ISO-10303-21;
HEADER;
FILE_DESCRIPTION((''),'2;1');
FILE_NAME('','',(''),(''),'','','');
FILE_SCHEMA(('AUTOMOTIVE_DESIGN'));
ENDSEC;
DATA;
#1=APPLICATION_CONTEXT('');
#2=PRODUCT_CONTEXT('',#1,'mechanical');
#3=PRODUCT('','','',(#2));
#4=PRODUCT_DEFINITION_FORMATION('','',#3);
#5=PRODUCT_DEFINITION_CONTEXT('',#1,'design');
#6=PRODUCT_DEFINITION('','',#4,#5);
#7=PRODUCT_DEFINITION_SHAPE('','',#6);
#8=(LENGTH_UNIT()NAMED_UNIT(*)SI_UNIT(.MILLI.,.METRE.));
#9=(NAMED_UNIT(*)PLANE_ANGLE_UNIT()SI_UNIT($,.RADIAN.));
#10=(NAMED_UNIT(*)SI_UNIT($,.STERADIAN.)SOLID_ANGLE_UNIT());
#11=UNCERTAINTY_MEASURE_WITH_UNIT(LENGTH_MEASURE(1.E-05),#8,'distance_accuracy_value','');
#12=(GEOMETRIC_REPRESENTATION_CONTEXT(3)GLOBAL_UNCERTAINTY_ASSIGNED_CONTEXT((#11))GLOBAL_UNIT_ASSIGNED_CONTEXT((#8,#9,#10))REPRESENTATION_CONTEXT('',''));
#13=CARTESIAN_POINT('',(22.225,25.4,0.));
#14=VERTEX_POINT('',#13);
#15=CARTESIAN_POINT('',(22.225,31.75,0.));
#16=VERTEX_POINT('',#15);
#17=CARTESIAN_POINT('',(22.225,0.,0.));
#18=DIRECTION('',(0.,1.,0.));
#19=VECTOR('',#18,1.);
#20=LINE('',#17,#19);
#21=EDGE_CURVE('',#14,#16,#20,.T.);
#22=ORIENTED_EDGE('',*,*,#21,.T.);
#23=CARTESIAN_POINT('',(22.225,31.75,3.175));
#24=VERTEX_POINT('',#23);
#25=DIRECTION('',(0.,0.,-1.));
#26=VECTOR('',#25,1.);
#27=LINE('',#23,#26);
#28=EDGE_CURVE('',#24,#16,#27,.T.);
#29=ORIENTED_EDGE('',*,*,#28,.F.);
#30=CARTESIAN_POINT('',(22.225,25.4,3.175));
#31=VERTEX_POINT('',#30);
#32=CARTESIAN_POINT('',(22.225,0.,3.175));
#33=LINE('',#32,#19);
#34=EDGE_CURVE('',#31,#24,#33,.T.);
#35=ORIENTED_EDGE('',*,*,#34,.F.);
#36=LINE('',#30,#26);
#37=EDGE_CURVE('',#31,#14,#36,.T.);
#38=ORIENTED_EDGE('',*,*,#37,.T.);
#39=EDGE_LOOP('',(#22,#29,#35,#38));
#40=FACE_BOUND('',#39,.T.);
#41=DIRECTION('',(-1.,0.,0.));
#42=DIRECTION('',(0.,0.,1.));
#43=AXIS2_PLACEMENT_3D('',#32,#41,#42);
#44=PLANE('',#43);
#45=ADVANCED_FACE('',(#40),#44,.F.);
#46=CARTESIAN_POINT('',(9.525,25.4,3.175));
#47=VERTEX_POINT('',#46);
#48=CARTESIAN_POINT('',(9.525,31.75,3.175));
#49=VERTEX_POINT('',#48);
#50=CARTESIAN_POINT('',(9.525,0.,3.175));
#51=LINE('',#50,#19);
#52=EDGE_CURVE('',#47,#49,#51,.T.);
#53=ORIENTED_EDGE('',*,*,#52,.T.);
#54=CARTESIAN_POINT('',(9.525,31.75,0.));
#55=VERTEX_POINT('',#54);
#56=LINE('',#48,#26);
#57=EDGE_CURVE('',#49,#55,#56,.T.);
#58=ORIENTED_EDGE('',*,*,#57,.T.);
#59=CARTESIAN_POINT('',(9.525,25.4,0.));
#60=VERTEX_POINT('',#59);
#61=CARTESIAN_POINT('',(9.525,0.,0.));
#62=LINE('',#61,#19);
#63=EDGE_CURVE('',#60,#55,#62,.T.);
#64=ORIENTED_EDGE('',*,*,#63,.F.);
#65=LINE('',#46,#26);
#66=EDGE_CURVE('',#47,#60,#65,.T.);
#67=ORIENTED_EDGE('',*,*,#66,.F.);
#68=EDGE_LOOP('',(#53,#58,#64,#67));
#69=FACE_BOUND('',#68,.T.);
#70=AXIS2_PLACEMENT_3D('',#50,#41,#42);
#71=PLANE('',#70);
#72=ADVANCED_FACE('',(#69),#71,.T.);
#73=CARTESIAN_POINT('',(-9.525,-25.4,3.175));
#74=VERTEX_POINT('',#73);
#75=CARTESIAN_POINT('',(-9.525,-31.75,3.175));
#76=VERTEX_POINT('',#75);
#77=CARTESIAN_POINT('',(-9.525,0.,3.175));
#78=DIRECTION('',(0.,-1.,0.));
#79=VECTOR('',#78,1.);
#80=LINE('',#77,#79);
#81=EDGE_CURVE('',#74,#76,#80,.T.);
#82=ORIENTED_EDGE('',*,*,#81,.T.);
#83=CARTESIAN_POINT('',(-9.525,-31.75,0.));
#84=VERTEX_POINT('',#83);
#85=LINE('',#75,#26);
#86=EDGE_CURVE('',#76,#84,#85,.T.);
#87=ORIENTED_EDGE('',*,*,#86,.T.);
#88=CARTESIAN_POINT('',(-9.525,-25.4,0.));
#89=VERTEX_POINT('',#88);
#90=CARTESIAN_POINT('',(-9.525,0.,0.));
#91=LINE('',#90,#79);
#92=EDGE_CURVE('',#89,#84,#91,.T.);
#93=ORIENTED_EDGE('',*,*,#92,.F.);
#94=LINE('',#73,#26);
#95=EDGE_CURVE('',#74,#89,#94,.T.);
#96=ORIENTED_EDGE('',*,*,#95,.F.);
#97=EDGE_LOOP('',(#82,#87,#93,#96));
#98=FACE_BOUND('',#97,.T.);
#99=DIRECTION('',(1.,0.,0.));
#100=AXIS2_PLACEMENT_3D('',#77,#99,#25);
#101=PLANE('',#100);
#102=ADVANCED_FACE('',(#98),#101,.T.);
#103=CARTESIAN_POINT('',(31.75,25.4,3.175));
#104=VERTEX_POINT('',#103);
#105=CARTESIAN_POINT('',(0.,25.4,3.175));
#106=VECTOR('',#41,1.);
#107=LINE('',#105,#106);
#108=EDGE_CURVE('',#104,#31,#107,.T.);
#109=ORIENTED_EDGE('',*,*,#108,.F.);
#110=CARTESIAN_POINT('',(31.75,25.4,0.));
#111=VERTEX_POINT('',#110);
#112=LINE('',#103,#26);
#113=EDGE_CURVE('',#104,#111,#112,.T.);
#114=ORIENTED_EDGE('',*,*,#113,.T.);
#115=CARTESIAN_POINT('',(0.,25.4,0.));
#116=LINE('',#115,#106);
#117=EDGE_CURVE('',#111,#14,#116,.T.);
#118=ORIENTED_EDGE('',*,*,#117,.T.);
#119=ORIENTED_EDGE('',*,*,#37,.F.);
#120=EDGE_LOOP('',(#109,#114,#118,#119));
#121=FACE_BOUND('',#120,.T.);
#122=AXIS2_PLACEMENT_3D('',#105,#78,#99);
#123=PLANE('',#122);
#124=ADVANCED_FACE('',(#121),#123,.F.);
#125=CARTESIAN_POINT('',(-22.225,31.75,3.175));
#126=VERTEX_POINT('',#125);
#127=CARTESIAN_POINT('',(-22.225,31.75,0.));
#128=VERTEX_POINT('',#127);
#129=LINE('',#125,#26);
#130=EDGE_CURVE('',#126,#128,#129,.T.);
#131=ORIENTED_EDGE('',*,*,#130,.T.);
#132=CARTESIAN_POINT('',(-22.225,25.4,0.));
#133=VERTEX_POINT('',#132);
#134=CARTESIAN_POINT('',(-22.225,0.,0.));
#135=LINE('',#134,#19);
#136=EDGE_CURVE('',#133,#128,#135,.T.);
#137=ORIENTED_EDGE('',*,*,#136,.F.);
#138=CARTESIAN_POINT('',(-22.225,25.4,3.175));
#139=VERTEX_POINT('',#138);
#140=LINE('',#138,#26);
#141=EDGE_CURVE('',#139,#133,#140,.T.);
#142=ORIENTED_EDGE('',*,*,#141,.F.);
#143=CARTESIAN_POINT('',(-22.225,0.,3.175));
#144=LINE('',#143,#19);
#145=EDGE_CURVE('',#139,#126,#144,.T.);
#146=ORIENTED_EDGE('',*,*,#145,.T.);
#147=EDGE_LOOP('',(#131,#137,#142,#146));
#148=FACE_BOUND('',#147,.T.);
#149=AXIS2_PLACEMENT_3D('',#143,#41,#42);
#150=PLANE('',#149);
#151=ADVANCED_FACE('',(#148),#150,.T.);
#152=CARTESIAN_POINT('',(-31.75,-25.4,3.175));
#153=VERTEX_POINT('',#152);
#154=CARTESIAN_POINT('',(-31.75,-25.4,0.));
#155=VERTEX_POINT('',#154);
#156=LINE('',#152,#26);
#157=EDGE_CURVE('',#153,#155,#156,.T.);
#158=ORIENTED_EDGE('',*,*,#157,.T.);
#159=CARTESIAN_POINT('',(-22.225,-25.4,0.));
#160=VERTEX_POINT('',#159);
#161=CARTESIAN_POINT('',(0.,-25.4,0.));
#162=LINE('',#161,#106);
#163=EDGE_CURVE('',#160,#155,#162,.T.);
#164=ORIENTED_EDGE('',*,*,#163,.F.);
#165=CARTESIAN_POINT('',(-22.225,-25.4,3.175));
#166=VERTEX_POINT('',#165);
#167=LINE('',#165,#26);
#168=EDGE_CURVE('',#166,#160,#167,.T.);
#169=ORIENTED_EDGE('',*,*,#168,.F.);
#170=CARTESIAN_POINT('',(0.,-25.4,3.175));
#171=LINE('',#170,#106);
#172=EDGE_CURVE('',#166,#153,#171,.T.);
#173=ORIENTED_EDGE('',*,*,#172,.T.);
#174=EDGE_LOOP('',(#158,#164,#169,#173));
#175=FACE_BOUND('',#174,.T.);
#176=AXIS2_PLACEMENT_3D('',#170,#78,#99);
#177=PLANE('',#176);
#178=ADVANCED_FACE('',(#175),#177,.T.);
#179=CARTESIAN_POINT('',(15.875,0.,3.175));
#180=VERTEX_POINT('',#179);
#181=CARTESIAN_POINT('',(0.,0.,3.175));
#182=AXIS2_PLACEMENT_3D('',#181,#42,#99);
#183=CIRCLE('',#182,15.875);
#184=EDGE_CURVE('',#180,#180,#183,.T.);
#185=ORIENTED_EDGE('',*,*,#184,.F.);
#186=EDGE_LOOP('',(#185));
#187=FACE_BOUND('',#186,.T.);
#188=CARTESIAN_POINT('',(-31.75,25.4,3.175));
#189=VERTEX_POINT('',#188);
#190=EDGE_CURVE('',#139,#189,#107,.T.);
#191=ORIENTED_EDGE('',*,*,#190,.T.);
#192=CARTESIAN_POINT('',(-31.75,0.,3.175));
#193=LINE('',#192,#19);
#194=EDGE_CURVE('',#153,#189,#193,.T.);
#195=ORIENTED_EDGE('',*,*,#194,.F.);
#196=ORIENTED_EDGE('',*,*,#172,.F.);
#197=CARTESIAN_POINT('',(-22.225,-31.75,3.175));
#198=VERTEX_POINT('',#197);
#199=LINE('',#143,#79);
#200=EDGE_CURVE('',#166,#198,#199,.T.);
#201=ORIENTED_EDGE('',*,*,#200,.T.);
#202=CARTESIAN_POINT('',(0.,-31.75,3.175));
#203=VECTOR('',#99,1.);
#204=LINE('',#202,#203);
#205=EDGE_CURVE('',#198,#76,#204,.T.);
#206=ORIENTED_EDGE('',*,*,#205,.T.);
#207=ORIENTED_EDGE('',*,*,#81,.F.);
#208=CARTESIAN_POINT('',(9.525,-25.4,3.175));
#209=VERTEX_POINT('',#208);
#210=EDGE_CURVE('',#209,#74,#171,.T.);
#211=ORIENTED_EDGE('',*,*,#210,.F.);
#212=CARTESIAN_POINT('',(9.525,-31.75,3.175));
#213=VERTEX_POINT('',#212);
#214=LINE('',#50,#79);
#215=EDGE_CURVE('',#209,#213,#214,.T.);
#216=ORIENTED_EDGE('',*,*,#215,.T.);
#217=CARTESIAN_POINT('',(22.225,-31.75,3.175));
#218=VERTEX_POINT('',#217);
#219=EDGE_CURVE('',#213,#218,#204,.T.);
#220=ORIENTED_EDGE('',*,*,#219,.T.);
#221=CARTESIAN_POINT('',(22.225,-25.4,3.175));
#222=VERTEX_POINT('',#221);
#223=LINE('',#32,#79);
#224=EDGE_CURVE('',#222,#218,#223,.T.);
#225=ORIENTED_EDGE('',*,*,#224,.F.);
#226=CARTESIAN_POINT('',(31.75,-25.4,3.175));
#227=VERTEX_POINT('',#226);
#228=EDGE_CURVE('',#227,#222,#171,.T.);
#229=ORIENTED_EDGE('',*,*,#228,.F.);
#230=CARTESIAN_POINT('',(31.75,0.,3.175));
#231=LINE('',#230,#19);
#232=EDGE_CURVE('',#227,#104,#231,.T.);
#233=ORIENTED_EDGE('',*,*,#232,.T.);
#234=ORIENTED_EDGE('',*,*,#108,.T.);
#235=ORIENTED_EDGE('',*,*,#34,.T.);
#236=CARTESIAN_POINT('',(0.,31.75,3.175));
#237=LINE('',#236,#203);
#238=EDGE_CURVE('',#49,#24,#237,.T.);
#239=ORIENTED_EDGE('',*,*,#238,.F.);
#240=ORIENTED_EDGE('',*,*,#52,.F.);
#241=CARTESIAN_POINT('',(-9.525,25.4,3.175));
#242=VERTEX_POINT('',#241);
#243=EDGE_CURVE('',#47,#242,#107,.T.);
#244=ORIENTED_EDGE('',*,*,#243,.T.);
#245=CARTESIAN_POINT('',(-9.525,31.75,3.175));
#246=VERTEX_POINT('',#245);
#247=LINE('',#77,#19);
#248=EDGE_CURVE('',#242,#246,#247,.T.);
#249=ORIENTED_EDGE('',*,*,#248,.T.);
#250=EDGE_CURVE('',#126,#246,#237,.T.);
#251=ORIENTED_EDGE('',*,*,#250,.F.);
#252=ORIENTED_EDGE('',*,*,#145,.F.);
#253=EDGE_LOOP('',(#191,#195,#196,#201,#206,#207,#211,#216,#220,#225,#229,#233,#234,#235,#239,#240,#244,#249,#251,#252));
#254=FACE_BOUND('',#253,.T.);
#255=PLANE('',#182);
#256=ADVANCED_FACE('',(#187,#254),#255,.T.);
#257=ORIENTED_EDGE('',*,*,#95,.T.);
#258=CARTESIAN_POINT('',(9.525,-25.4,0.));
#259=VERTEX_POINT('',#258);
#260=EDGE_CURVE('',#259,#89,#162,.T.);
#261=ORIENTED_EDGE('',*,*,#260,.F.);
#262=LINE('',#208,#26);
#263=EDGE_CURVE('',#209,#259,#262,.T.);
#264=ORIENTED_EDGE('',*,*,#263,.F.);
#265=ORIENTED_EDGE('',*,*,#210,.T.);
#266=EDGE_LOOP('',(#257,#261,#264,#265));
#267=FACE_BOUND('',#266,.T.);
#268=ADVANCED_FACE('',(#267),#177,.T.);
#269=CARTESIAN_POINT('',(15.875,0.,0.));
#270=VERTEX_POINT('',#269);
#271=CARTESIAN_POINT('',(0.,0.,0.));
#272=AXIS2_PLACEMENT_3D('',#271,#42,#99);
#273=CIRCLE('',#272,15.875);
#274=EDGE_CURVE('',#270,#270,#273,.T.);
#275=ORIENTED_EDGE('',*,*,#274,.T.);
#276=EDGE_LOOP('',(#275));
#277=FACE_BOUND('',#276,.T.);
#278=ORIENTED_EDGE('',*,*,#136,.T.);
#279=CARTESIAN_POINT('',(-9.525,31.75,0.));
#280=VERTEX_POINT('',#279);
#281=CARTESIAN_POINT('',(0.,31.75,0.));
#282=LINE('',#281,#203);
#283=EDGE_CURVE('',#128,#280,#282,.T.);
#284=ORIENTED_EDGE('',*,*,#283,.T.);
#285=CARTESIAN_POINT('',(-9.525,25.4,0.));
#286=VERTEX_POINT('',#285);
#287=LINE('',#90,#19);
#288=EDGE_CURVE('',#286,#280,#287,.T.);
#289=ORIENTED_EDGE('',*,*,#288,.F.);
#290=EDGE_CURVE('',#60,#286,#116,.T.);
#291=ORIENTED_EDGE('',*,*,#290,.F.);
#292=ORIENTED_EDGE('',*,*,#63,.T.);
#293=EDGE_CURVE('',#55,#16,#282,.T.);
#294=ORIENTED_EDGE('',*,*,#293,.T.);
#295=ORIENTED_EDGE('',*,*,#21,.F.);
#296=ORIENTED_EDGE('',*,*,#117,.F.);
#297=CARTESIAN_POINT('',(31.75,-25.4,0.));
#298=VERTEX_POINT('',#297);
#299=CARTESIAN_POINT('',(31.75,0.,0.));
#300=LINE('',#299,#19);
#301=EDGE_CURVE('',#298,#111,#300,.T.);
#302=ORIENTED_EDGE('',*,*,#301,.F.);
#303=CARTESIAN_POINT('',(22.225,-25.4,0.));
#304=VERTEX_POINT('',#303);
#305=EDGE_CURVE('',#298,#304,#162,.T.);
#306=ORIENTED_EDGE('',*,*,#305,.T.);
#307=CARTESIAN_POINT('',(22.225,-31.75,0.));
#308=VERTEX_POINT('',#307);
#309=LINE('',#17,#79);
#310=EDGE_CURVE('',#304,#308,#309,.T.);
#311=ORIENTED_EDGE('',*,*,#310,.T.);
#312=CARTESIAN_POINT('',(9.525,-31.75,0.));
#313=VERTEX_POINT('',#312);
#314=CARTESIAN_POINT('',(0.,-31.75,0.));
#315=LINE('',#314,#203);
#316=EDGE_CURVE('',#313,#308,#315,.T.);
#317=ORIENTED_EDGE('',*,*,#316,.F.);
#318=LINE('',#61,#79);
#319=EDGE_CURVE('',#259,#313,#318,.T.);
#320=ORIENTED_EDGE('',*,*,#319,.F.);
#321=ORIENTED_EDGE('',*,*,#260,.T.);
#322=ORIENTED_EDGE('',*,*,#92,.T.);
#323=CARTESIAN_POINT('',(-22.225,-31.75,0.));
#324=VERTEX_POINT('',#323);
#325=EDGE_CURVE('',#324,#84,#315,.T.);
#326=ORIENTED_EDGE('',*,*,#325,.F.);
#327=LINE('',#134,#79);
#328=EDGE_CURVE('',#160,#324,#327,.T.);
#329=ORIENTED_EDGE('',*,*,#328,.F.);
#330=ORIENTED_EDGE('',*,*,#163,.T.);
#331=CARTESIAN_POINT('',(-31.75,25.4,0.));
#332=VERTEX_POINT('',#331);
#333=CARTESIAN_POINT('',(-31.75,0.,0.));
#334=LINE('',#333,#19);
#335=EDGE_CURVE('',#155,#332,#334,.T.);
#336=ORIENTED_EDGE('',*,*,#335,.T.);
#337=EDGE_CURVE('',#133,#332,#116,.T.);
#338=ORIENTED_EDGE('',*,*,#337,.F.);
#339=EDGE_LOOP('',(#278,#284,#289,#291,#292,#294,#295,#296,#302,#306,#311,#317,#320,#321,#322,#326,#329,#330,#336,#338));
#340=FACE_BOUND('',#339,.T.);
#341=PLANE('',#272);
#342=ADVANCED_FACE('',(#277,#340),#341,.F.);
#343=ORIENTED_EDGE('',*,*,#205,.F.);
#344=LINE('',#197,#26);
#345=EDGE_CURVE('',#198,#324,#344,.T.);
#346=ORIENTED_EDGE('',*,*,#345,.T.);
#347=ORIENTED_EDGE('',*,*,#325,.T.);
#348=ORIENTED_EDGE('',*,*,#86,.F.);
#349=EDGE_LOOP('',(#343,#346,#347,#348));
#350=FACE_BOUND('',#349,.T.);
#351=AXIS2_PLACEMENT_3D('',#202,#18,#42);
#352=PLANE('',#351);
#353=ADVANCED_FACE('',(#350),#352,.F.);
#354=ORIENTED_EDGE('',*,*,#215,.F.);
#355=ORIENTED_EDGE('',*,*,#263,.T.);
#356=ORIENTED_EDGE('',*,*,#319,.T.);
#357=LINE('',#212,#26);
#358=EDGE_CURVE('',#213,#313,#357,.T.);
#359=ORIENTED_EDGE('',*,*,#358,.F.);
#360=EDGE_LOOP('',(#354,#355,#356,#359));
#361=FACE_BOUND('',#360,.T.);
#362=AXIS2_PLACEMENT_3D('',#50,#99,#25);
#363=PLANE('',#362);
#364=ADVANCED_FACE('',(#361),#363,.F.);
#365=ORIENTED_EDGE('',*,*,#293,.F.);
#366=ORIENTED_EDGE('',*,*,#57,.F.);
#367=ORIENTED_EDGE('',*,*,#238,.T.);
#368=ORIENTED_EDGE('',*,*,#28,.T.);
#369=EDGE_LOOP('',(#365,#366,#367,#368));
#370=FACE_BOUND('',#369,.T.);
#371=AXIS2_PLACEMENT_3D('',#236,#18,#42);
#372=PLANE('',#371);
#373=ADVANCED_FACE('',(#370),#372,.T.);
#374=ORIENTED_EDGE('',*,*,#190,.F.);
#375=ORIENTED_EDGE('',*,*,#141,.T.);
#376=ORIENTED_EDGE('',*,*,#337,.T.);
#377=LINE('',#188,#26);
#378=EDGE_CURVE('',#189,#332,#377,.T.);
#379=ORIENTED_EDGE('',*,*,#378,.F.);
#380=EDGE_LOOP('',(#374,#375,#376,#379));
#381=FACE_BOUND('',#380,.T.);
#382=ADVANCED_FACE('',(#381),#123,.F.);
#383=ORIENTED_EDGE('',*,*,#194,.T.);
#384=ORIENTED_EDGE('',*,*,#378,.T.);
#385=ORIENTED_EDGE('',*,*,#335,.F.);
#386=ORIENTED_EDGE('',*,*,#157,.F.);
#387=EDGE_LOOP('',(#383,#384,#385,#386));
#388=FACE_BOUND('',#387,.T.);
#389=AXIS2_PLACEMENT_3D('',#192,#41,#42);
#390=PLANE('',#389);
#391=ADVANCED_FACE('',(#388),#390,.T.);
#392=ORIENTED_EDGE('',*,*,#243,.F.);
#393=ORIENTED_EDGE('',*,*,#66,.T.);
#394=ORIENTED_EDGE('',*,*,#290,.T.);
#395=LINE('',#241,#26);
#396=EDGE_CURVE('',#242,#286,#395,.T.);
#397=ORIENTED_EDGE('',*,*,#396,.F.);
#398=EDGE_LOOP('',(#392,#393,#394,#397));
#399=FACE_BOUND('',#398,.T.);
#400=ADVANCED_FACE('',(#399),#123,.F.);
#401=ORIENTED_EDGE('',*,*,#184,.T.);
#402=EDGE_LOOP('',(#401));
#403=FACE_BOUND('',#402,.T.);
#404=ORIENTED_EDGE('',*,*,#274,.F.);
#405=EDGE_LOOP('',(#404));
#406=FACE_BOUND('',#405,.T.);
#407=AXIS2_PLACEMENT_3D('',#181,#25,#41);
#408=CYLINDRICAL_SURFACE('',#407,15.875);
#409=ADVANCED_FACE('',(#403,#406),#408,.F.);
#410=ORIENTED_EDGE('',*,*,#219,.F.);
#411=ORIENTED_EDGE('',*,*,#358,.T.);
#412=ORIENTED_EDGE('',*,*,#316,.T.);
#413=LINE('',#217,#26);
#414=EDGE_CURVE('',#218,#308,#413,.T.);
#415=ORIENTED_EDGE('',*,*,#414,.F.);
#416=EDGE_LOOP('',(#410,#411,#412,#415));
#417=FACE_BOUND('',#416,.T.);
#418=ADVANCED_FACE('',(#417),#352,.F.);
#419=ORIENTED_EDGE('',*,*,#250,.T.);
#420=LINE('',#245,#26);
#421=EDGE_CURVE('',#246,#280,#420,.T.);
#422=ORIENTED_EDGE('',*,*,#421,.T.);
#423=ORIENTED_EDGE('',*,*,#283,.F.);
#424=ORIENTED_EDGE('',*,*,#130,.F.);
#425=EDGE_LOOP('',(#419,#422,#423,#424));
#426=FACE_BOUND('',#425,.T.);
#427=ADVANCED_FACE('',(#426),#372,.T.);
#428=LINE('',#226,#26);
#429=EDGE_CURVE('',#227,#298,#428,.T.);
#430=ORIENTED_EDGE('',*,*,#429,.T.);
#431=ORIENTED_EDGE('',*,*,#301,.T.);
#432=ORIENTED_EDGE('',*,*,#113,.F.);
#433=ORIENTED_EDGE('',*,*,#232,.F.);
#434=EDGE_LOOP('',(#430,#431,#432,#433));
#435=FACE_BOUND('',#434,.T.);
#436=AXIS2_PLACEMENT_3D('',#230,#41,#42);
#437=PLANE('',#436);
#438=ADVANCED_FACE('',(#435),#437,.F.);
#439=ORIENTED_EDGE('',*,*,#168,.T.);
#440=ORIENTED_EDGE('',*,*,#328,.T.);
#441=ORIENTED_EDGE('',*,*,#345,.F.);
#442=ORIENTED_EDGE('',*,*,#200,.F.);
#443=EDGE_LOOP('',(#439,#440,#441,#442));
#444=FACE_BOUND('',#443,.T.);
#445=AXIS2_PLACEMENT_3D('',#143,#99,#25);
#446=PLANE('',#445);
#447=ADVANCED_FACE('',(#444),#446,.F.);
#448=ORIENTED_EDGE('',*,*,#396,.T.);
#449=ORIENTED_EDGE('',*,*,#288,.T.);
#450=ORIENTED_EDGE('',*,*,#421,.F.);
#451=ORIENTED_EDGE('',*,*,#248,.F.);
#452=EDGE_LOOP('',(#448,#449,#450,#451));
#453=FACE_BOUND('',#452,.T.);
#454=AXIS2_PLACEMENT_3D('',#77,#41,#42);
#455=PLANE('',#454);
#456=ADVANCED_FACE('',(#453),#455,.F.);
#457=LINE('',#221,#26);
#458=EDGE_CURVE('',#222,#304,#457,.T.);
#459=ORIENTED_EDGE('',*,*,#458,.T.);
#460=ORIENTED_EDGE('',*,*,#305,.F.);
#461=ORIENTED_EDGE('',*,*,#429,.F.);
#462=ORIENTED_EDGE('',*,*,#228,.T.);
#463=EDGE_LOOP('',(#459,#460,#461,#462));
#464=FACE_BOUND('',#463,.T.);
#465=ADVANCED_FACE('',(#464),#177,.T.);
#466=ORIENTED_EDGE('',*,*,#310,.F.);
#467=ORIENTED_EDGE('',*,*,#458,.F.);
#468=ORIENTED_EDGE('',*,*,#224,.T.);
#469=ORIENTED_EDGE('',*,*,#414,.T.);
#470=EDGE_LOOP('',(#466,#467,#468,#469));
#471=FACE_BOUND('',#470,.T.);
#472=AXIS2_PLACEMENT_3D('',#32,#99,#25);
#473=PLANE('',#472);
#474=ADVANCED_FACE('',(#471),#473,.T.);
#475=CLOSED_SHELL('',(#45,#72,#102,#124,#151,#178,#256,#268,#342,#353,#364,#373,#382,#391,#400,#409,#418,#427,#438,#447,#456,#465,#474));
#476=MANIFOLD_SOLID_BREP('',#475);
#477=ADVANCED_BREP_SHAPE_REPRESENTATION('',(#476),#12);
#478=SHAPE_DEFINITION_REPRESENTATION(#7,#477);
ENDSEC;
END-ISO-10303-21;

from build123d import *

# Parameters (mm, degrees)
SKETCH1_W           = 12.7
SKETCH1_H           = 6.35
SKETCH1_W_2         = 63.5
SKETCH1_H_2         = 50.8
SKETCH1_R           = 15.875
BOSS_EXTRUDE1_DEPTH = 3.175


with BuildPart() as part:
    # Sketch1 → Boss-Extrude1 (new body)
    # profile 1 of 5: a face of its own
    with BuildSketch(Plane.XY):
        with Locations((-15.875, 28.575)):
            Rectangle(SKETCH1_W, SKETCH1_H)
    # profile 2 of 5: a face of its own
    with BuildSketch(Plane.XY):
        Rectangle(SKETCH1_W_2, SKETCH1_H_2)
        Circle(SKETCH1_R, mode=Mode.SUBTRACT)
    # profile 3 of 5: a face of its own
    with BuildSketch(Plane.XY):
        with Locations((15.875, 28.575)):
            Rectangle(SKETCH1_W, SKETCH1_H)
    # profile 4 of 5: a face of its own
    with BuildSketch(Plane.XY):
        with Locations((15.875, -28.575)):
            Rectangle(SKETCH1_W, SKETCH1_H)
    # profile 5 of 5: a face of its own
    with BuildSketch(Plane.XY):
        with Locations((-15.875, -28.575)):
            Rectangle(SKETCH1_W, SKETCH1_H)
    extrude(amount=BOSS_EXTRUDE1_DEPTH)


solid = part.part
